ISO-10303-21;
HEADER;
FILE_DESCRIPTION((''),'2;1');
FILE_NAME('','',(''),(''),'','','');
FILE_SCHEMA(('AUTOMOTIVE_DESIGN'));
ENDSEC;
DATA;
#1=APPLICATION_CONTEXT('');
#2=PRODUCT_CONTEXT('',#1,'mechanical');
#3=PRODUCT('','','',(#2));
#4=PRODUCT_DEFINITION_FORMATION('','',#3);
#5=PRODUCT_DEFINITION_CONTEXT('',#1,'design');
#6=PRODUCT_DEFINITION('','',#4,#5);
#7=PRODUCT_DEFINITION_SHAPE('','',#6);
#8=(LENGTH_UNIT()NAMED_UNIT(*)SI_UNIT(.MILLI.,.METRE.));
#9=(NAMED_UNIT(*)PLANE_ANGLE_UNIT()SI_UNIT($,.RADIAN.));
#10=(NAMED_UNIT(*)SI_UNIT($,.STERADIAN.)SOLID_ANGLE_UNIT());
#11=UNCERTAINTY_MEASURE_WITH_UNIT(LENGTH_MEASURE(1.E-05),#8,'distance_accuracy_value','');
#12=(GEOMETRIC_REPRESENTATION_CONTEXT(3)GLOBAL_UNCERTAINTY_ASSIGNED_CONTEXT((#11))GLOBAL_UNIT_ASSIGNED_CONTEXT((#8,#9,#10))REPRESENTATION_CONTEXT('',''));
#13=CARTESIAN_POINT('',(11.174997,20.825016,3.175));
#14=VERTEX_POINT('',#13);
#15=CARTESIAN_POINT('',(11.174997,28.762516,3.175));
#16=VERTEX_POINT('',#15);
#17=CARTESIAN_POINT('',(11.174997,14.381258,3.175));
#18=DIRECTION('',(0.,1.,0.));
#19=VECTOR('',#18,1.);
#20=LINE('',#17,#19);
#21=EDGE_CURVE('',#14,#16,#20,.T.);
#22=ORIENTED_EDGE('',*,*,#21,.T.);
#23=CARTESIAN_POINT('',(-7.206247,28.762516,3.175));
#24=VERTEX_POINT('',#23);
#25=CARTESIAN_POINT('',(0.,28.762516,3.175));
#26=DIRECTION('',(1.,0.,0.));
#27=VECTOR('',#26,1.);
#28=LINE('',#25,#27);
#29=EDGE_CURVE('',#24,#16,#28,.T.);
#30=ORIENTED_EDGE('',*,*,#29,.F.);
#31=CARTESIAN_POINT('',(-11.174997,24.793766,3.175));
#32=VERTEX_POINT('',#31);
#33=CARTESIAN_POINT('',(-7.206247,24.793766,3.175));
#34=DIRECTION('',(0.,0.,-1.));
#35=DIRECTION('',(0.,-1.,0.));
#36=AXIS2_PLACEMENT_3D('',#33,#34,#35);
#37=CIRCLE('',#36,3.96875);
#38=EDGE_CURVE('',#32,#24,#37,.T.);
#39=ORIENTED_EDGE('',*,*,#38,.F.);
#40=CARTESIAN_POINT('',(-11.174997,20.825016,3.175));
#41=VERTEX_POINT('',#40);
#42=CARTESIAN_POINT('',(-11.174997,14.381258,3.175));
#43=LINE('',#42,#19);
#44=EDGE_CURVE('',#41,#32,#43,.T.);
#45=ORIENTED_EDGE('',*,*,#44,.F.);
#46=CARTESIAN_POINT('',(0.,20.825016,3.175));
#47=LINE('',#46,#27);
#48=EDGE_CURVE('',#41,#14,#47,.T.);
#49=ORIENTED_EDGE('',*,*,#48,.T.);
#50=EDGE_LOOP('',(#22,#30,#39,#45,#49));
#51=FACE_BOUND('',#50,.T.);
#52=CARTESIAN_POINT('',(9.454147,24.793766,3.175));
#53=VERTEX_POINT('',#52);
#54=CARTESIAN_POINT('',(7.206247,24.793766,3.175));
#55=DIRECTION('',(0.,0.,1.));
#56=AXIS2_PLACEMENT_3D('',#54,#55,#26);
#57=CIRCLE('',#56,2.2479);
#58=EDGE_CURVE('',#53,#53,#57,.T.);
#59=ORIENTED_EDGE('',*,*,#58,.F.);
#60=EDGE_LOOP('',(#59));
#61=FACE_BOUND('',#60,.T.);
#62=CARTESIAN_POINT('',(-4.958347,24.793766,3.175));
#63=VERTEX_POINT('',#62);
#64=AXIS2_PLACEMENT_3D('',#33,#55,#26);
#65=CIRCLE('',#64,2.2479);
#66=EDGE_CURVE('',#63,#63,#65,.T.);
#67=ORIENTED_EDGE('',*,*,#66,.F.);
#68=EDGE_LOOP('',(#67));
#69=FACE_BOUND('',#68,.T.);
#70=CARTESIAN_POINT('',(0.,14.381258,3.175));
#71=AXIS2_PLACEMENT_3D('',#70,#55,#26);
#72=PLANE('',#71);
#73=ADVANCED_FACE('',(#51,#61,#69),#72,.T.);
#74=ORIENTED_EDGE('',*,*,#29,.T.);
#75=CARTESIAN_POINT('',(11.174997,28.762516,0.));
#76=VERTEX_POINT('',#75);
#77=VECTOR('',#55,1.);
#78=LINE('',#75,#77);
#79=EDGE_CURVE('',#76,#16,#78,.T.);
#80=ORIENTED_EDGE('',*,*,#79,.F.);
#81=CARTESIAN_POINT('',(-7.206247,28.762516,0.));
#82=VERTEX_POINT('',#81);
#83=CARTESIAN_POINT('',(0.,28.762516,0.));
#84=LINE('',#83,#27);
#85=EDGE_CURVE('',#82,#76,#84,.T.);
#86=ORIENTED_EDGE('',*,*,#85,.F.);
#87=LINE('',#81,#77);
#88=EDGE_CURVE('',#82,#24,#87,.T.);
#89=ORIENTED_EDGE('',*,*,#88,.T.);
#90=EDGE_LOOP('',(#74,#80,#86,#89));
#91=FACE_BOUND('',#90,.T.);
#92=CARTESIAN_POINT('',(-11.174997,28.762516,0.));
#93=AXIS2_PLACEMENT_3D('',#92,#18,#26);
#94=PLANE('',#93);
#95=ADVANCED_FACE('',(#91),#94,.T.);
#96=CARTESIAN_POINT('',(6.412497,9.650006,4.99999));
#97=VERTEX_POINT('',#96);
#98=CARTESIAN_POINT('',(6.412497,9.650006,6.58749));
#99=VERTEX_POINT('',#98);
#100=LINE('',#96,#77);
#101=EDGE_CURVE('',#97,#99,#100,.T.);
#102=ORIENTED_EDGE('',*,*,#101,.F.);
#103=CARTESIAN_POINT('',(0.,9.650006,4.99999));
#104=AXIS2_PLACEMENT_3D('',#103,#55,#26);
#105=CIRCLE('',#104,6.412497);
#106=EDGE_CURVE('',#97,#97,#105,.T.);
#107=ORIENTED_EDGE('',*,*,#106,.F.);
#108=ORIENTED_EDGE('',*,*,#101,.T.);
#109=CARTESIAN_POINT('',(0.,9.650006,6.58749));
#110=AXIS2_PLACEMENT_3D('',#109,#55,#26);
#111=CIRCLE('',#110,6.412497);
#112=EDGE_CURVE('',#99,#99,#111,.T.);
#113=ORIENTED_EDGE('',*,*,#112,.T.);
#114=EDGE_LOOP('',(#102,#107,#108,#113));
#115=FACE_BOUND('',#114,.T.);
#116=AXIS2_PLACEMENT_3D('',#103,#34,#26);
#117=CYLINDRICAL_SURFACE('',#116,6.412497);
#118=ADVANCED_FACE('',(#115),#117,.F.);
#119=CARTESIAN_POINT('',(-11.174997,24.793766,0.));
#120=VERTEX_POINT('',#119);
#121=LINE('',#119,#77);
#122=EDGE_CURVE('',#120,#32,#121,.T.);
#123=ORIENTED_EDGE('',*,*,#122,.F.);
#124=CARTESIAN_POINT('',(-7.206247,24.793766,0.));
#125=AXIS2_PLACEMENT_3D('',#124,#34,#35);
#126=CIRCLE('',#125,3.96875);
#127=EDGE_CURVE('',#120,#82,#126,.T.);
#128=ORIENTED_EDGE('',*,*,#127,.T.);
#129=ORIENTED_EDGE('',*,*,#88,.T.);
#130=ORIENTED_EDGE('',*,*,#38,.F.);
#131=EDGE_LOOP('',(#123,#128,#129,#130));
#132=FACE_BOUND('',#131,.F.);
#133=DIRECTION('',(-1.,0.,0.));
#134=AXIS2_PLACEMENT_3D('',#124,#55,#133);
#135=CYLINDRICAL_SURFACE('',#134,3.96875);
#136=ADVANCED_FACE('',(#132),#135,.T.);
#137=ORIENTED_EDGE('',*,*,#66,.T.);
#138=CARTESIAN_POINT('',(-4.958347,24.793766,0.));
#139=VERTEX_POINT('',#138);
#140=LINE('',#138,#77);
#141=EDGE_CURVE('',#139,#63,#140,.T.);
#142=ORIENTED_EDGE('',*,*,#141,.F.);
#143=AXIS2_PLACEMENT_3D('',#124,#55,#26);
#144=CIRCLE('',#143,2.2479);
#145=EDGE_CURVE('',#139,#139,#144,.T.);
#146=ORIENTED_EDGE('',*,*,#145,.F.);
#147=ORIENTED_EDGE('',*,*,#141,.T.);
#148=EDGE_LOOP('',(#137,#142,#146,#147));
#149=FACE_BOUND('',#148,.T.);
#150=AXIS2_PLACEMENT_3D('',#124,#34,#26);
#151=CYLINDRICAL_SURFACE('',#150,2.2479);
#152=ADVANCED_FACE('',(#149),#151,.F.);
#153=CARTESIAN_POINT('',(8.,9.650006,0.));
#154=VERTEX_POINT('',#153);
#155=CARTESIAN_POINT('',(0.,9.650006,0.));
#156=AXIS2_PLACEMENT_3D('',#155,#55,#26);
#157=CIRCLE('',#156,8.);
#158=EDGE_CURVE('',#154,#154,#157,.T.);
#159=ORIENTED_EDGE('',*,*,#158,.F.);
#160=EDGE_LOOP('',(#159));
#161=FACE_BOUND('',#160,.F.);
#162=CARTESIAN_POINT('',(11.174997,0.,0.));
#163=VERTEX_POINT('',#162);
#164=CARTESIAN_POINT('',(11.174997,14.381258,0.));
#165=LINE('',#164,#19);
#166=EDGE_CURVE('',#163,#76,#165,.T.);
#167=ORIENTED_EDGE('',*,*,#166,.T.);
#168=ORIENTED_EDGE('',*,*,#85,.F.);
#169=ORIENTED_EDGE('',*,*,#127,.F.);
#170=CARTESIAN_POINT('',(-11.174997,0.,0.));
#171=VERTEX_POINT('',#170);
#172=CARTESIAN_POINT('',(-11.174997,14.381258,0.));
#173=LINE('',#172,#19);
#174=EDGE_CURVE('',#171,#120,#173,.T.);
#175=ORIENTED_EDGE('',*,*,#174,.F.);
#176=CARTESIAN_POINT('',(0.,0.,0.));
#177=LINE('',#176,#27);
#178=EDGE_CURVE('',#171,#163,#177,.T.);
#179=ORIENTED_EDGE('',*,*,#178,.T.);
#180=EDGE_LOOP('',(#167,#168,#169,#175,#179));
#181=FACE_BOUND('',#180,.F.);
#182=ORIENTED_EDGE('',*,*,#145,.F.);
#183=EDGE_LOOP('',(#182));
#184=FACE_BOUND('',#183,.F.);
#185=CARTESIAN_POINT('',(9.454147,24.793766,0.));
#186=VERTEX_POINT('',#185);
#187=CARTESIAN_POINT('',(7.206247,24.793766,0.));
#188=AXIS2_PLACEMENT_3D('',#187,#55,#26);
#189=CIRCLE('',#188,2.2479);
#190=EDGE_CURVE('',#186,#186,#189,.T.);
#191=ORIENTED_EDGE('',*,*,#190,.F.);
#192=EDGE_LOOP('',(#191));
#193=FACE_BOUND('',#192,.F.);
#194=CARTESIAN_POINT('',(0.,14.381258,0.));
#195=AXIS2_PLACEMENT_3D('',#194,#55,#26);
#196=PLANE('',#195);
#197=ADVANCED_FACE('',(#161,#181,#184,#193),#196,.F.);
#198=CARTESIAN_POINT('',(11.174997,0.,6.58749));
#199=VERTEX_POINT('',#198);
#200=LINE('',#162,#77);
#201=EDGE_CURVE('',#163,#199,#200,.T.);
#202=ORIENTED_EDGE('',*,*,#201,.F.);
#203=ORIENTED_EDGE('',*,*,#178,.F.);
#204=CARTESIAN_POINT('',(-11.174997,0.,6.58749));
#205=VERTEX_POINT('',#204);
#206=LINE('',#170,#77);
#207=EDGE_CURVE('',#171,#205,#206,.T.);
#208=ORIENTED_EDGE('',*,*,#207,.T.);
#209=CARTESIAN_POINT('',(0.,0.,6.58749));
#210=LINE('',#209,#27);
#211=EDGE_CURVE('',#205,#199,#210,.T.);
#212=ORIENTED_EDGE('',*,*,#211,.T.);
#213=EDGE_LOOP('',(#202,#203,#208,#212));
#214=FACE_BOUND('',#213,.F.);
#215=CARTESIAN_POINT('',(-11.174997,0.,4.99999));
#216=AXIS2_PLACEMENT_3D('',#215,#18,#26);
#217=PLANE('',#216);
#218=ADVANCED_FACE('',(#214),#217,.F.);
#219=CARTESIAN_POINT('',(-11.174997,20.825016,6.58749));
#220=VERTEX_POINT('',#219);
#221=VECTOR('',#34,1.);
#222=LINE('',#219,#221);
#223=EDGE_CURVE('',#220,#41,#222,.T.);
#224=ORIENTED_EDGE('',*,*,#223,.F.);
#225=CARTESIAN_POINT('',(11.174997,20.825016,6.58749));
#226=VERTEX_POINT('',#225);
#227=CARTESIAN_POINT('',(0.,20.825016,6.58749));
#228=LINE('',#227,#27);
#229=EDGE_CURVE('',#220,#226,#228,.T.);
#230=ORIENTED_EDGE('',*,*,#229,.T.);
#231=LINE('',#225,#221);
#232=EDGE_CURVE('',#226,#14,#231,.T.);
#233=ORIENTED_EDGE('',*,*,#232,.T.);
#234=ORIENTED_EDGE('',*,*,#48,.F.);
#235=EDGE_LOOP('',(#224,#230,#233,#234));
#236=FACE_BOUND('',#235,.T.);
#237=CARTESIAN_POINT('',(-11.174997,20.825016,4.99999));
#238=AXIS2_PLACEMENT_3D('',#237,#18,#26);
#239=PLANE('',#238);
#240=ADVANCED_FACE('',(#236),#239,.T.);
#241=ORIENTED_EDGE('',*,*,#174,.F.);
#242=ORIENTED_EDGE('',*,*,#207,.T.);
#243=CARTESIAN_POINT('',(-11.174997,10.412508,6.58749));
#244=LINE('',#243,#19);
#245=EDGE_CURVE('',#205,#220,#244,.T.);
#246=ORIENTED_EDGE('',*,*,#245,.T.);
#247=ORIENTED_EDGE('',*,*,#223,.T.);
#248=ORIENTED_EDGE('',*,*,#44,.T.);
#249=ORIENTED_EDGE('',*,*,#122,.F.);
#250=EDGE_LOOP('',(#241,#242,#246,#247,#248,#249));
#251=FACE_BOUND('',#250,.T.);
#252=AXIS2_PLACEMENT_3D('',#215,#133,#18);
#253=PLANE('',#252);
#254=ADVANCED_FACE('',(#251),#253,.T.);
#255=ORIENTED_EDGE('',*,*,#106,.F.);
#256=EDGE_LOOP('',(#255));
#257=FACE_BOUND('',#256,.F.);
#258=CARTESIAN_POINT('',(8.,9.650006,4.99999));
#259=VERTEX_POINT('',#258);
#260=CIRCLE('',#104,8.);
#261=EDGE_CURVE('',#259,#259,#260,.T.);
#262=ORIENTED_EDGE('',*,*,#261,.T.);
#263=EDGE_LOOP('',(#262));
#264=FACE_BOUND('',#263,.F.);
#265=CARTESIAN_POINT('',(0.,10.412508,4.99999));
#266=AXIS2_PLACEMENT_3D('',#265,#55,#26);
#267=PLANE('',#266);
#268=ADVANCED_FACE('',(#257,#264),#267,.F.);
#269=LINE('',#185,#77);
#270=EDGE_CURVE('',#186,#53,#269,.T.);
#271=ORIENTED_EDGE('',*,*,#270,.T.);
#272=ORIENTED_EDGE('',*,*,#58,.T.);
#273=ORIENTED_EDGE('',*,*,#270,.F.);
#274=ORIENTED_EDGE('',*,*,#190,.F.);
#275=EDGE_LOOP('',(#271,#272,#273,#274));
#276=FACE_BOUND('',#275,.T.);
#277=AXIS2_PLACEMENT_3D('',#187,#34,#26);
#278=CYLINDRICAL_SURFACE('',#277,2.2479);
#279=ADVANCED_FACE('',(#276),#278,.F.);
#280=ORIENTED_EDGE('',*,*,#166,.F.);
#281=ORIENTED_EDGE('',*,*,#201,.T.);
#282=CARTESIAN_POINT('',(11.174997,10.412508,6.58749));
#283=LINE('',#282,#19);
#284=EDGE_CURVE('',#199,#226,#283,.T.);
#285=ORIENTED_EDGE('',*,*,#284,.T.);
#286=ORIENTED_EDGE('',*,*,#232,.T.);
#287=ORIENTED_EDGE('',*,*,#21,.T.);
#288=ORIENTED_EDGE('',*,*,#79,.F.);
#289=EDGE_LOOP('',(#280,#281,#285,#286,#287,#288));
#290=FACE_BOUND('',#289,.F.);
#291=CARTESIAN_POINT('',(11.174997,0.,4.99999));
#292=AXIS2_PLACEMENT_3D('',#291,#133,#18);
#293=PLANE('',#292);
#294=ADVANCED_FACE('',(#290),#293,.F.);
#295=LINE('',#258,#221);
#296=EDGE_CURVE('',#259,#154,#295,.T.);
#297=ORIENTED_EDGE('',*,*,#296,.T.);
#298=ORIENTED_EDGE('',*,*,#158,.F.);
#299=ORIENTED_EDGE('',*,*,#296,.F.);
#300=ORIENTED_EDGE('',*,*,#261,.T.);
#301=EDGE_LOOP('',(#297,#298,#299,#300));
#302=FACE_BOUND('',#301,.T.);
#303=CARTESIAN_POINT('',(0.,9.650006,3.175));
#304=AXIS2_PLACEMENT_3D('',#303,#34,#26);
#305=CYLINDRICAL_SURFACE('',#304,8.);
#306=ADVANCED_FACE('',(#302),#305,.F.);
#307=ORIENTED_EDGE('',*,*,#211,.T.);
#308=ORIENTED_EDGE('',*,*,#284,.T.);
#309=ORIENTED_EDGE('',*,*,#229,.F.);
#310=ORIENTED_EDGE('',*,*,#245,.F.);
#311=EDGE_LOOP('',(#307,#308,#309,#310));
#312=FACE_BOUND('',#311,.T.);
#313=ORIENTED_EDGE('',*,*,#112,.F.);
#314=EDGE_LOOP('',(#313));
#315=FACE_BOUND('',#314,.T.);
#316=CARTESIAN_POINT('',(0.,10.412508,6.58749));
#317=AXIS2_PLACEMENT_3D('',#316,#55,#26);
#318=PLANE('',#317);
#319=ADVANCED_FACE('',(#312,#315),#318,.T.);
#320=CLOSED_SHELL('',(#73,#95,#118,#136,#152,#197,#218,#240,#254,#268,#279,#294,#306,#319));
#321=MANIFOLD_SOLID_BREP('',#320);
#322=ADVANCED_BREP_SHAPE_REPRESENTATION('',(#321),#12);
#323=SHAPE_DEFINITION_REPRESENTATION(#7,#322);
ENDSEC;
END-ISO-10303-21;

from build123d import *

# Parameters (mm, degrees)
F0_W     = 22.349994
F0_H     = 28.762516
F0_R     = 8
F0_R_2   = 2.2479
F1_DEPTH = 3.175
F2_W     = 22.349994
F2_H     = 20.825016
F2_R     = 8
F3_DEPTH = 1.82499
F4_W     = 22.349994
F4_H     = 20.825016
F4_R     = 8
F4_R_2   = 6.412497
F5_DEPTH = 1.5875
F6_R     = 3.96875


with BuildPart() as f1:
    # F0 (on Top) → F1 (new body)
    with BuildSketch(Plane.XY):
        with Locations((0, 14.381258)):
            Rectangle(F0_W, F0_H)
        with Locations((0, 9.650006)):
            Circle(F0_R, mode=Mode.SUBTRACT)
        with Locations((-7.206247, 24.793766)):
            Circle(F0_R_2, mode=Mode.SUBTRACT)
        with Locations((7.206247, 24.793766)):
            Circle(F0_R_2, mode=Mode.SUBTRACT)
    extrude(amount=F1_DEPTH)

    # F2 (on face) → F3 (join)
    with BuildSketch(Plane.XY.offset(3.175)):
        with Locations((0, 10.412508)):
            Rectangle(F2_W, F2_H)
        with Locations((0, 9.650006)):
            Circle(F2_R, mode=Mode.SUBTRACT)
    extrude(amount=F3_DEPTH)

    # F4 (on face) → F5 (join)
    with BuildSketch(Plane.XY.offset(4.99999)):
        with Locations((0, 10.412508)):
            Rectangle(F4_W, F4_H)
        with Locations((0, 9.650006)):
            Circle(F4_R, mode=Mode.SUBTRACT)
        with Locations((0, 9.650006)):
            Circle(F4_R)
        with Locations((0, 9.650006)):
            Circle(F4_R_2, mode=Mode.SUBTRACT)
    extrude(amount=F5_DEPTH)

    # F6
    f6_edges = [f1.edges().sort_by_distance(p)[0] for p in [
        (-11.174997, 28.762516, 1.5875),
    ]]
    fillet(f6_edges, radius=F6_R)


solid = f1.part
